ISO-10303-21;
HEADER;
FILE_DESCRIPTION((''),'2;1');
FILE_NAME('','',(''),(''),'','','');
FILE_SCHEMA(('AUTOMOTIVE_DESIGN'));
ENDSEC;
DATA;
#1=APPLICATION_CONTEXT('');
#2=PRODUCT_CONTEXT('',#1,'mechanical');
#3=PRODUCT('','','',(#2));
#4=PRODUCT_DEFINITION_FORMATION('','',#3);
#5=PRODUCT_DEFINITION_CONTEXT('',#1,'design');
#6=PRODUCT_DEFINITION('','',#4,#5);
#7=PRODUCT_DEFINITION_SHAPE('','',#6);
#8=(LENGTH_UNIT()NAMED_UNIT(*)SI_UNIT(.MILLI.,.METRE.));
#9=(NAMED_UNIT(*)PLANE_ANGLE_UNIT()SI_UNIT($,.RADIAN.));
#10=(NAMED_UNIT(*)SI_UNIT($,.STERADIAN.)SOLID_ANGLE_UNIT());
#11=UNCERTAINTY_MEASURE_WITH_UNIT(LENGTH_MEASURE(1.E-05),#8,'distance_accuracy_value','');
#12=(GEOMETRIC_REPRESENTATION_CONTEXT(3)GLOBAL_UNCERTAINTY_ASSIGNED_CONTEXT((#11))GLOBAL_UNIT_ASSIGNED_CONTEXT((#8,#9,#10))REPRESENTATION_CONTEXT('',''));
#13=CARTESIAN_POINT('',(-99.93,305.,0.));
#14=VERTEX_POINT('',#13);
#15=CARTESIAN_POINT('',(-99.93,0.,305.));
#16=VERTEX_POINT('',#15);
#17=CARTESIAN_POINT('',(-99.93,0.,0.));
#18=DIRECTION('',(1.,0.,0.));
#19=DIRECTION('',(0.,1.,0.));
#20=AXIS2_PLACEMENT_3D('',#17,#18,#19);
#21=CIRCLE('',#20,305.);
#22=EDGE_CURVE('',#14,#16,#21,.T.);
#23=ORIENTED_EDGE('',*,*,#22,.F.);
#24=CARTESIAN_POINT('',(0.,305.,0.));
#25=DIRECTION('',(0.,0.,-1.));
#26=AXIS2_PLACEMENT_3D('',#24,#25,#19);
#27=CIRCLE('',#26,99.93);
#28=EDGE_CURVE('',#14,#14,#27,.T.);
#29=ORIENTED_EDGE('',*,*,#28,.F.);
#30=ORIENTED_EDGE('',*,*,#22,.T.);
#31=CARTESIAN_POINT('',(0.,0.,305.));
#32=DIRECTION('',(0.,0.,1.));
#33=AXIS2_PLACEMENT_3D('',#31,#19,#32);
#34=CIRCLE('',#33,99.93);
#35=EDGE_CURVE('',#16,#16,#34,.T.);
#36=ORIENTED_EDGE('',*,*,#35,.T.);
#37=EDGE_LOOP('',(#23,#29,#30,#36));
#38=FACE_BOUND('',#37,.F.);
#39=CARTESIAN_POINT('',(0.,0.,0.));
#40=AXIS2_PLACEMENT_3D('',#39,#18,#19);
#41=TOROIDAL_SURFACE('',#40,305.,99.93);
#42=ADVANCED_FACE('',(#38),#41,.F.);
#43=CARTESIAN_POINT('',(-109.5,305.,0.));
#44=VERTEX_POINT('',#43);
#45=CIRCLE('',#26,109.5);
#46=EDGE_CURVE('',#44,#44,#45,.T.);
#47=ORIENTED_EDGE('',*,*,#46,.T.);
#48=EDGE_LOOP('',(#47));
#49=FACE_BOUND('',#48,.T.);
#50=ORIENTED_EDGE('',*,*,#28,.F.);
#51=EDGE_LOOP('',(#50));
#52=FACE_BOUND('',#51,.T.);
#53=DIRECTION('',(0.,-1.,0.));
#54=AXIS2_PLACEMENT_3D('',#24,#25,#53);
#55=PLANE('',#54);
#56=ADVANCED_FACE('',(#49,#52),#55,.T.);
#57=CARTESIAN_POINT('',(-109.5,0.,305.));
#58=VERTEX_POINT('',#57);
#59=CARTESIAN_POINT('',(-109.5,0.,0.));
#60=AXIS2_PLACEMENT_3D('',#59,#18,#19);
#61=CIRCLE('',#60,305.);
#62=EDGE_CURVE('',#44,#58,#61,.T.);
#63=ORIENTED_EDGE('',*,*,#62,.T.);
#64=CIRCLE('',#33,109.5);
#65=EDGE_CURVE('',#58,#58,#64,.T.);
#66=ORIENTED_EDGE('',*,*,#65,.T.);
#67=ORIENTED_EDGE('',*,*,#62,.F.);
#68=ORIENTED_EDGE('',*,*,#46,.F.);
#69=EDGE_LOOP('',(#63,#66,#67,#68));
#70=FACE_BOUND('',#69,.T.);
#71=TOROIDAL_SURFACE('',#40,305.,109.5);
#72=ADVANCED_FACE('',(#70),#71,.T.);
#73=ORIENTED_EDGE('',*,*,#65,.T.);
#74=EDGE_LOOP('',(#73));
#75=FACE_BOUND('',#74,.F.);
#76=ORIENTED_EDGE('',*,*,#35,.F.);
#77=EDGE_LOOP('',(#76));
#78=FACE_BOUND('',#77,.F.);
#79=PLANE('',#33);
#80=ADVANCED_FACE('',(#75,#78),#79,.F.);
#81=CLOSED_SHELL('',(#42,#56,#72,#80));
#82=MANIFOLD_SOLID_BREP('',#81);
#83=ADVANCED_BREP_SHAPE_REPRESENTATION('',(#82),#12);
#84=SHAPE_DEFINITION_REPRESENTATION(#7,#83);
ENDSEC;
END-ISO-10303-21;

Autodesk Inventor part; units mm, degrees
ref_plane "YZ Plane" through (0, 0, 0) normal (1, 0, 0) x (0, 1, 0)
ref_plane "XZ Plane" through (0, 0, 0) normal (0, 1, 0) x (-1, 0, 0)
ref_plane "XY Plane" through (0, 0, 0) normal (0, 0, 1) x (1, 0, 0)
sketch "Sketch4" plane through (0, 0, 0) normal (1, 0, 0) x (0, 1, 0)
  arc A0 (305, 0) -> (0, 305) centre (0, 0) ccw
  dimension "d23" = 305
sketch "Sketch3" plane through (0, 0, 0) normal (0, 1, 0) x (-1, 0, 0)
  circle A0 centre (0, 305) radius 109.5
  circle A1 centre (0, 305) radius 99.93
  point P0 (0, 0)
  dimension "d27" = 219
  dimension "d28" = 9.57
sweep "Sweep6" add profiles "Sketch3" path "Sketch4"
properties part number "joelho 90 8 inch ANSI B16.9"
